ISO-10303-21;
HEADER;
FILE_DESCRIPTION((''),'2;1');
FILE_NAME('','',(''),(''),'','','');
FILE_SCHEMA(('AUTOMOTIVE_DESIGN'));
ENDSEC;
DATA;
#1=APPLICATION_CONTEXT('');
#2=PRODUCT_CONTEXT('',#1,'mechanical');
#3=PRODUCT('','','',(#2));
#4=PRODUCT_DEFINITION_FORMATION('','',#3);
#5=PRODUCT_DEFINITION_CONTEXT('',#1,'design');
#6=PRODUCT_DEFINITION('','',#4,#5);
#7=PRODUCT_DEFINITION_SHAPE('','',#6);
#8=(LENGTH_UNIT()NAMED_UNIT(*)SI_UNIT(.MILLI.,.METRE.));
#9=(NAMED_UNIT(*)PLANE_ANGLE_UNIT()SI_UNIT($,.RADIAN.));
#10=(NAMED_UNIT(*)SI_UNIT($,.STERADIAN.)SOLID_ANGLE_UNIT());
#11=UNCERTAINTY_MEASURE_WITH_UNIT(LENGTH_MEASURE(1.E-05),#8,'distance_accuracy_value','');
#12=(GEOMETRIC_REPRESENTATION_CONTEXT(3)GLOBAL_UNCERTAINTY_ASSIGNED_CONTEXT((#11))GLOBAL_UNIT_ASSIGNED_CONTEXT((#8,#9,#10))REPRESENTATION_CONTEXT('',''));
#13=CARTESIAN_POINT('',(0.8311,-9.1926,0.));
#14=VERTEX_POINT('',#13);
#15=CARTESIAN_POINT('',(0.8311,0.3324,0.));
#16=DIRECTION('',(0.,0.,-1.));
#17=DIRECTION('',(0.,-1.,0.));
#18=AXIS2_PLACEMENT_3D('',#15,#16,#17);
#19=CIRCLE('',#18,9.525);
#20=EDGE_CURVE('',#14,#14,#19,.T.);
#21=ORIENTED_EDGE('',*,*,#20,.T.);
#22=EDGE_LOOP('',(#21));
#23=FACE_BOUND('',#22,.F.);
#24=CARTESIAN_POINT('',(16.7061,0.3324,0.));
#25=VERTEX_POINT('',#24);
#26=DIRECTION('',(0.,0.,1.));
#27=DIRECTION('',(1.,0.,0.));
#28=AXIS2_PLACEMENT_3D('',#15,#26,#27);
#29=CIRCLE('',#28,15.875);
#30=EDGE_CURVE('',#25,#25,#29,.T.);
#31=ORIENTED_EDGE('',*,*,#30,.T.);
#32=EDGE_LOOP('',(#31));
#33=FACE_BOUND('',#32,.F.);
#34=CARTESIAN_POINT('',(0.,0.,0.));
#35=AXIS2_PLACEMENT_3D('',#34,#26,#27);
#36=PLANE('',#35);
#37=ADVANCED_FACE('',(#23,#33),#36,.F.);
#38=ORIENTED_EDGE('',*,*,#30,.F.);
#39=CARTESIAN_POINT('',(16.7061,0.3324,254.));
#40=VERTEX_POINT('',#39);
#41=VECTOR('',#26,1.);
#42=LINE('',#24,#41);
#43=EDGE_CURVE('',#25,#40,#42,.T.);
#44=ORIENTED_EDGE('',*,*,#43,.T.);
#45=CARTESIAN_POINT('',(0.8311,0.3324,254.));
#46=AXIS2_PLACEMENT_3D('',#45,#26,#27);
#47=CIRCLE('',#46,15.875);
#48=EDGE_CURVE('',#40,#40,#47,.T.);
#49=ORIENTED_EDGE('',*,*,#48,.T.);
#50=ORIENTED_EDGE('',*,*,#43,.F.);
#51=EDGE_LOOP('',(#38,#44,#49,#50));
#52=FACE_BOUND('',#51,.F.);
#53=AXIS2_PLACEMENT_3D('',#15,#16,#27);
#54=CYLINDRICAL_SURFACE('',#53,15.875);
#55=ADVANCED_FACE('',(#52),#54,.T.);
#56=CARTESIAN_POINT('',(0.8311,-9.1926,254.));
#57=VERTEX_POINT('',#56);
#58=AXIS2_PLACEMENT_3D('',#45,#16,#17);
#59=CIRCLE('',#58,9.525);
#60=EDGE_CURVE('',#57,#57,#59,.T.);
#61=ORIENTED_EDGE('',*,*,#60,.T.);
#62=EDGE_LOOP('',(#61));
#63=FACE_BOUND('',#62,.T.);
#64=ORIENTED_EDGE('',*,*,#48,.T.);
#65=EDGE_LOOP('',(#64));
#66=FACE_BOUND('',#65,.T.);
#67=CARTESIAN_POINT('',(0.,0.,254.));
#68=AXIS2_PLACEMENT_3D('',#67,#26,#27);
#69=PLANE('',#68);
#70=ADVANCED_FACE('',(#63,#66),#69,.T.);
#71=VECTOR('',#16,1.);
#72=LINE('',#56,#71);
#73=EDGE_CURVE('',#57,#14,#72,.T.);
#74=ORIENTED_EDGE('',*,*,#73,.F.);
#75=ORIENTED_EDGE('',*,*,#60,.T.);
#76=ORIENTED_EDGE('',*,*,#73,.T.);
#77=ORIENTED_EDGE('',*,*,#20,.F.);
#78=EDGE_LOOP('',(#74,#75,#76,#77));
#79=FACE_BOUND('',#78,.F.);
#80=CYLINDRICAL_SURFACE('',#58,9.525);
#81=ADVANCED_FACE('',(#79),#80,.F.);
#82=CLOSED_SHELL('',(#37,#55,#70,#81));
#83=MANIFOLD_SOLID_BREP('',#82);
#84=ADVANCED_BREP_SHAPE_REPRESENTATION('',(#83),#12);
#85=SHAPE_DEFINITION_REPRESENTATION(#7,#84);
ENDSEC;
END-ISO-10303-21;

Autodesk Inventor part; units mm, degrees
ref_plane "YZ Plane" through (0, 0, 0) normal (1, 0, 0) x (0, 1, 0)
ref_plane "XZ Plane" through (0, 0, 0) normal (0, 1, 0) x (-1, 0, 0)
ref_plane "XY Plane" through (0, 0, 0) normal (0, 0, 1) x (1, 0, 0)
sketch "Sketch1" plane through (0, 0, 0) normal (0, 0, 1) x (1, 0, 0)
  circle A0 centre (0.8311, 0.3324) radius 15.875
  point P0 (0, 0)
  dimension "d0" = 31.75
extrude "Extrusion1" add sketch "Sketch1" along normal blind 254
sketch "Sketch2" plane through (0.8311, 0.3324, 254) normal (0, 0, 1) x (1, 0, 0)
  circle A0 centre (0, 0) radius 9.525
  point P0 (-0.8311, -0.3324)
  dimension "d3" = 19.05
hole "Hole1" at (0.8311, 0.3324, 254) direction (0, 0, -1) diameter 19.05 end through all
properties part number "Ellawads thingy"
